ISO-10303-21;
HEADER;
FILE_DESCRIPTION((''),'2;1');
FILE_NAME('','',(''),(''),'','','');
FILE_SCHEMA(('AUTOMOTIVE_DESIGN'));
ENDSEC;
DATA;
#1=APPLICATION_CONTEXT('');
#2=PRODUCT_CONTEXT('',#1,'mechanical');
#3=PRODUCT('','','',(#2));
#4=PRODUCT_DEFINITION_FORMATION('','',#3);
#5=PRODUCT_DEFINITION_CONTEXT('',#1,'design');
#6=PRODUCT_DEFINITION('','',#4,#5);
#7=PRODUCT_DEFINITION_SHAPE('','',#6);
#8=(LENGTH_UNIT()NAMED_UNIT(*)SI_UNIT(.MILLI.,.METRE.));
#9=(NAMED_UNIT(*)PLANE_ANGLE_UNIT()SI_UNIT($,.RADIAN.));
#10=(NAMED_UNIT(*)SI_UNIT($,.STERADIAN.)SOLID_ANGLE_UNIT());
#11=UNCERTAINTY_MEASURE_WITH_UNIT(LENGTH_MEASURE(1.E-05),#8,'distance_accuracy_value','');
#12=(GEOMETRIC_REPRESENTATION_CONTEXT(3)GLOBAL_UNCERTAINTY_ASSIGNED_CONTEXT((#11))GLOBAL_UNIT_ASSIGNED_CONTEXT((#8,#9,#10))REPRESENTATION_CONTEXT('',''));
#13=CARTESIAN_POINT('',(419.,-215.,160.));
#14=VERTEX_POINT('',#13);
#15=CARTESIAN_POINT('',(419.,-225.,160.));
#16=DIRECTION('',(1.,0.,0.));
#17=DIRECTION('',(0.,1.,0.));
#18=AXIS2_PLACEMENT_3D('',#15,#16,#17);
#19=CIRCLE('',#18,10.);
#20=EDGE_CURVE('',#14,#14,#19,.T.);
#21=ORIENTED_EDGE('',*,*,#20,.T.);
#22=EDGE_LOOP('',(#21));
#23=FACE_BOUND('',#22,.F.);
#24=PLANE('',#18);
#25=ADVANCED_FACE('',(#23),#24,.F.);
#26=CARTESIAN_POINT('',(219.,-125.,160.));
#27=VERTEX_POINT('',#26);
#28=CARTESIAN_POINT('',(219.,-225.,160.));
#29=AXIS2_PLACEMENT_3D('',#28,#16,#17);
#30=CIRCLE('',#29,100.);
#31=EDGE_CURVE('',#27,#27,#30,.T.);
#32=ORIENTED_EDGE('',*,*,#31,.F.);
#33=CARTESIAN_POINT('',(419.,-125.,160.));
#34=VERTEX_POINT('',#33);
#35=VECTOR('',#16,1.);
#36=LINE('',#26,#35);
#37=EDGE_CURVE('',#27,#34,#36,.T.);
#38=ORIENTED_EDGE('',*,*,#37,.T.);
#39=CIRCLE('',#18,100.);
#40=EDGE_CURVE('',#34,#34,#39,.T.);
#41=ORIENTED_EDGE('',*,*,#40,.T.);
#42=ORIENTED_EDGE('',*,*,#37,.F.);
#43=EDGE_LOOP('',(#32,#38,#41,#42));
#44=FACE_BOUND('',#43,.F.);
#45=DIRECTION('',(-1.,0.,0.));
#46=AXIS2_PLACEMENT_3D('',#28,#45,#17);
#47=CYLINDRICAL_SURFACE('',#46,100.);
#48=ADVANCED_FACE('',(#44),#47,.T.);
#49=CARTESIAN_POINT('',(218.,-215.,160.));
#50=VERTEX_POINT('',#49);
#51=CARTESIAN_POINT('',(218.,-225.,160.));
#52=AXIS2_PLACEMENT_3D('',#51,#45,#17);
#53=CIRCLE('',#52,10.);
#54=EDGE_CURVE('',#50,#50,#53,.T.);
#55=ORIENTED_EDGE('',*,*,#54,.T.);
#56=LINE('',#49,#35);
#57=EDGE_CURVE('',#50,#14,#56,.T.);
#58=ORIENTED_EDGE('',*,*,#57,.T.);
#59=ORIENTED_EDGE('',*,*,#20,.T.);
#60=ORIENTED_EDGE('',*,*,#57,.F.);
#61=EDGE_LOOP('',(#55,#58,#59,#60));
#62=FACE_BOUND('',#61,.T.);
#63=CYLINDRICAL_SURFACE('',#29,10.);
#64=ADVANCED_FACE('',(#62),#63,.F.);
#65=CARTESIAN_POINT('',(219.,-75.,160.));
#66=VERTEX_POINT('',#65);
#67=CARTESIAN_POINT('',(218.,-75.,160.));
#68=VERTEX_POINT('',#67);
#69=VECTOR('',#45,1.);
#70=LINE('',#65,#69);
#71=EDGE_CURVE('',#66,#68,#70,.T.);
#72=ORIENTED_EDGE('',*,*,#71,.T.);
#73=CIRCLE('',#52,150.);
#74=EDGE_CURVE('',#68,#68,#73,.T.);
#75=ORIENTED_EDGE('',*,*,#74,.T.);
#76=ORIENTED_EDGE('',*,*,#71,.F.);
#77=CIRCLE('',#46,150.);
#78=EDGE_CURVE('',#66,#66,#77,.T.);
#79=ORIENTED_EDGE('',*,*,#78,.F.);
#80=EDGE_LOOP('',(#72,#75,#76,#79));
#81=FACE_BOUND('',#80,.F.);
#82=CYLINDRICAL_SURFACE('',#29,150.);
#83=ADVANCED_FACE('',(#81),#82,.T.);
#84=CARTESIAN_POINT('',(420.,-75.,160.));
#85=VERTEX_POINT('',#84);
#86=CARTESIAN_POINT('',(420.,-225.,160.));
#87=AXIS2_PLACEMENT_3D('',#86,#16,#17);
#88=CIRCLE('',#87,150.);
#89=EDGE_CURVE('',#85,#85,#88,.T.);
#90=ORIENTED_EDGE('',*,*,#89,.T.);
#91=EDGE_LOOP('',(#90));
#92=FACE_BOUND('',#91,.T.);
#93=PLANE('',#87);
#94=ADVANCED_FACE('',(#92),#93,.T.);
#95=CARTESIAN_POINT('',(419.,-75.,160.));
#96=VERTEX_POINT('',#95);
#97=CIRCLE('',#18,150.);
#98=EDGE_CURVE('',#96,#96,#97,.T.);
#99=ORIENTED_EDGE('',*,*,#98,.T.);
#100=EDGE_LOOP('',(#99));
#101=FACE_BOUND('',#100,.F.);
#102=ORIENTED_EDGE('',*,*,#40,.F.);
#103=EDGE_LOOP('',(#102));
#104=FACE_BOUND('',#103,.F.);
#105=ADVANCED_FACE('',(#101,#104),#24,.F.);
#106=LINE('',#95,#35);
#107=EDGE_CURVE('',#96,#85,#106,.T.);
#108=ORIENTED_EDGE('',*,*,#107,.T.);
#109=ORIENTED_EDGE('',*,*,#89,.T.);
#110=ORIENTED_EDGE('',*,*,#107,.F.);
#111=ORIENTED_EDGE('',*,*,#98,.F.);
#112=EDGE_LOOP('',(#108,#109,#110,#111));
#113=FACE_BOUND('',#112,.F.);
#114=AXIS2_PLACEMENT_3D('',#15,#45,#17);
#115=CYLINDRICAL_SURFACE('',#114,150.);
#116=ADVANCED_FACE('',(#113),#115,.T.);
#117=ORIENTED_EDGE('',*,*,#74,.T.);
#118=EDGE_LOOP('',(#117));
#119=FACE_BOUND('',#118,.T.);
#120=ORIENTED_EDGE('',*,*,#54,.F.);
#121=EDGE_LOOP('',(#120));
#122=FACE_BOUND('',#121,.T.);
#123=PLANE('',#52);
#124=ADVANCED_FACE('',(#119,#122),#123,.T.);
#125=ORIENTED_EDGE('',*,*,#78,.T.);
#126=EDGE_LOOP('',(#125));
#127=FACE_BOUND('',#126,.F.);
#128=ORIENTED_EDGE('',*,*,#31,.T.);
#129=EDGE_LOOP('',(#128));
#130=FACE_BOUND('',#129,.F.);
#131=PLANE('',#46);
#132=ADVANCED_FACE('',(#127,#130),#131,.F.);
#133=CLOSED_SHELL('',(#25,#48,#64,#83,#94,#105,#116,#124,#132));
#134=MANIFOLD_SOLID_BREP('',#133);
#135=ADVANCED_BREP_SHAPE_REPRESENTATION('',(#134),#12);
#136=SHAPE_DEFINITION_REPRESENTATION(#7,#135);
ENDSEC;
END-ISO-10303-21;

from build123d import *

# Parameters (mm, degrees)
SKETCH012_R   = 100
SKETCH012_R_2 = 10
PAD009_DEPTH  = 200
SKETCH013_R   = 150
SKETCH013_R_2 = 10
PAD011_DEPTH  = 1
SKETCH014_R   = 150
PAD010_DEPTH  = 1


with BuildPart() as part:
    # Sketch012 → Pad009 (new body)
    with BuildSketch(Plane.YZ):
        Circle(SKETCH012_R)
        Circle(SKETCH012_R_2, mode=Mode.SUBTRACT)
    extrude(amount=PAD009_DEPTH)

    # Sketch013 (on Face3 of Pad009) → Pad011 (join)
    with BuildSketch(Plane(origin=(0, 0, 0), x_dir=(0, 1, 0), z_dir=(-1, 0, 0))):
        Circle(SKETCH013_R)
        Circle(SKETCH013_R_2, mode=Mode.SUBTRACT)
    extrude(amount=PAD011_DEPTH)

    # Sketch014 (on Face3 of Pad011) → Pad010 (join)
    with BuildSketch(Plane.YZ.offset(200)):
        Circle(SKETCH014_R)
    extrude(amount=PAD010_DEPTH)


with BuildPart() as part_1:
    # Body004 placement: moved
    add(part.part.moved(Location((219, -225, 160))))


solid = part_1.part
